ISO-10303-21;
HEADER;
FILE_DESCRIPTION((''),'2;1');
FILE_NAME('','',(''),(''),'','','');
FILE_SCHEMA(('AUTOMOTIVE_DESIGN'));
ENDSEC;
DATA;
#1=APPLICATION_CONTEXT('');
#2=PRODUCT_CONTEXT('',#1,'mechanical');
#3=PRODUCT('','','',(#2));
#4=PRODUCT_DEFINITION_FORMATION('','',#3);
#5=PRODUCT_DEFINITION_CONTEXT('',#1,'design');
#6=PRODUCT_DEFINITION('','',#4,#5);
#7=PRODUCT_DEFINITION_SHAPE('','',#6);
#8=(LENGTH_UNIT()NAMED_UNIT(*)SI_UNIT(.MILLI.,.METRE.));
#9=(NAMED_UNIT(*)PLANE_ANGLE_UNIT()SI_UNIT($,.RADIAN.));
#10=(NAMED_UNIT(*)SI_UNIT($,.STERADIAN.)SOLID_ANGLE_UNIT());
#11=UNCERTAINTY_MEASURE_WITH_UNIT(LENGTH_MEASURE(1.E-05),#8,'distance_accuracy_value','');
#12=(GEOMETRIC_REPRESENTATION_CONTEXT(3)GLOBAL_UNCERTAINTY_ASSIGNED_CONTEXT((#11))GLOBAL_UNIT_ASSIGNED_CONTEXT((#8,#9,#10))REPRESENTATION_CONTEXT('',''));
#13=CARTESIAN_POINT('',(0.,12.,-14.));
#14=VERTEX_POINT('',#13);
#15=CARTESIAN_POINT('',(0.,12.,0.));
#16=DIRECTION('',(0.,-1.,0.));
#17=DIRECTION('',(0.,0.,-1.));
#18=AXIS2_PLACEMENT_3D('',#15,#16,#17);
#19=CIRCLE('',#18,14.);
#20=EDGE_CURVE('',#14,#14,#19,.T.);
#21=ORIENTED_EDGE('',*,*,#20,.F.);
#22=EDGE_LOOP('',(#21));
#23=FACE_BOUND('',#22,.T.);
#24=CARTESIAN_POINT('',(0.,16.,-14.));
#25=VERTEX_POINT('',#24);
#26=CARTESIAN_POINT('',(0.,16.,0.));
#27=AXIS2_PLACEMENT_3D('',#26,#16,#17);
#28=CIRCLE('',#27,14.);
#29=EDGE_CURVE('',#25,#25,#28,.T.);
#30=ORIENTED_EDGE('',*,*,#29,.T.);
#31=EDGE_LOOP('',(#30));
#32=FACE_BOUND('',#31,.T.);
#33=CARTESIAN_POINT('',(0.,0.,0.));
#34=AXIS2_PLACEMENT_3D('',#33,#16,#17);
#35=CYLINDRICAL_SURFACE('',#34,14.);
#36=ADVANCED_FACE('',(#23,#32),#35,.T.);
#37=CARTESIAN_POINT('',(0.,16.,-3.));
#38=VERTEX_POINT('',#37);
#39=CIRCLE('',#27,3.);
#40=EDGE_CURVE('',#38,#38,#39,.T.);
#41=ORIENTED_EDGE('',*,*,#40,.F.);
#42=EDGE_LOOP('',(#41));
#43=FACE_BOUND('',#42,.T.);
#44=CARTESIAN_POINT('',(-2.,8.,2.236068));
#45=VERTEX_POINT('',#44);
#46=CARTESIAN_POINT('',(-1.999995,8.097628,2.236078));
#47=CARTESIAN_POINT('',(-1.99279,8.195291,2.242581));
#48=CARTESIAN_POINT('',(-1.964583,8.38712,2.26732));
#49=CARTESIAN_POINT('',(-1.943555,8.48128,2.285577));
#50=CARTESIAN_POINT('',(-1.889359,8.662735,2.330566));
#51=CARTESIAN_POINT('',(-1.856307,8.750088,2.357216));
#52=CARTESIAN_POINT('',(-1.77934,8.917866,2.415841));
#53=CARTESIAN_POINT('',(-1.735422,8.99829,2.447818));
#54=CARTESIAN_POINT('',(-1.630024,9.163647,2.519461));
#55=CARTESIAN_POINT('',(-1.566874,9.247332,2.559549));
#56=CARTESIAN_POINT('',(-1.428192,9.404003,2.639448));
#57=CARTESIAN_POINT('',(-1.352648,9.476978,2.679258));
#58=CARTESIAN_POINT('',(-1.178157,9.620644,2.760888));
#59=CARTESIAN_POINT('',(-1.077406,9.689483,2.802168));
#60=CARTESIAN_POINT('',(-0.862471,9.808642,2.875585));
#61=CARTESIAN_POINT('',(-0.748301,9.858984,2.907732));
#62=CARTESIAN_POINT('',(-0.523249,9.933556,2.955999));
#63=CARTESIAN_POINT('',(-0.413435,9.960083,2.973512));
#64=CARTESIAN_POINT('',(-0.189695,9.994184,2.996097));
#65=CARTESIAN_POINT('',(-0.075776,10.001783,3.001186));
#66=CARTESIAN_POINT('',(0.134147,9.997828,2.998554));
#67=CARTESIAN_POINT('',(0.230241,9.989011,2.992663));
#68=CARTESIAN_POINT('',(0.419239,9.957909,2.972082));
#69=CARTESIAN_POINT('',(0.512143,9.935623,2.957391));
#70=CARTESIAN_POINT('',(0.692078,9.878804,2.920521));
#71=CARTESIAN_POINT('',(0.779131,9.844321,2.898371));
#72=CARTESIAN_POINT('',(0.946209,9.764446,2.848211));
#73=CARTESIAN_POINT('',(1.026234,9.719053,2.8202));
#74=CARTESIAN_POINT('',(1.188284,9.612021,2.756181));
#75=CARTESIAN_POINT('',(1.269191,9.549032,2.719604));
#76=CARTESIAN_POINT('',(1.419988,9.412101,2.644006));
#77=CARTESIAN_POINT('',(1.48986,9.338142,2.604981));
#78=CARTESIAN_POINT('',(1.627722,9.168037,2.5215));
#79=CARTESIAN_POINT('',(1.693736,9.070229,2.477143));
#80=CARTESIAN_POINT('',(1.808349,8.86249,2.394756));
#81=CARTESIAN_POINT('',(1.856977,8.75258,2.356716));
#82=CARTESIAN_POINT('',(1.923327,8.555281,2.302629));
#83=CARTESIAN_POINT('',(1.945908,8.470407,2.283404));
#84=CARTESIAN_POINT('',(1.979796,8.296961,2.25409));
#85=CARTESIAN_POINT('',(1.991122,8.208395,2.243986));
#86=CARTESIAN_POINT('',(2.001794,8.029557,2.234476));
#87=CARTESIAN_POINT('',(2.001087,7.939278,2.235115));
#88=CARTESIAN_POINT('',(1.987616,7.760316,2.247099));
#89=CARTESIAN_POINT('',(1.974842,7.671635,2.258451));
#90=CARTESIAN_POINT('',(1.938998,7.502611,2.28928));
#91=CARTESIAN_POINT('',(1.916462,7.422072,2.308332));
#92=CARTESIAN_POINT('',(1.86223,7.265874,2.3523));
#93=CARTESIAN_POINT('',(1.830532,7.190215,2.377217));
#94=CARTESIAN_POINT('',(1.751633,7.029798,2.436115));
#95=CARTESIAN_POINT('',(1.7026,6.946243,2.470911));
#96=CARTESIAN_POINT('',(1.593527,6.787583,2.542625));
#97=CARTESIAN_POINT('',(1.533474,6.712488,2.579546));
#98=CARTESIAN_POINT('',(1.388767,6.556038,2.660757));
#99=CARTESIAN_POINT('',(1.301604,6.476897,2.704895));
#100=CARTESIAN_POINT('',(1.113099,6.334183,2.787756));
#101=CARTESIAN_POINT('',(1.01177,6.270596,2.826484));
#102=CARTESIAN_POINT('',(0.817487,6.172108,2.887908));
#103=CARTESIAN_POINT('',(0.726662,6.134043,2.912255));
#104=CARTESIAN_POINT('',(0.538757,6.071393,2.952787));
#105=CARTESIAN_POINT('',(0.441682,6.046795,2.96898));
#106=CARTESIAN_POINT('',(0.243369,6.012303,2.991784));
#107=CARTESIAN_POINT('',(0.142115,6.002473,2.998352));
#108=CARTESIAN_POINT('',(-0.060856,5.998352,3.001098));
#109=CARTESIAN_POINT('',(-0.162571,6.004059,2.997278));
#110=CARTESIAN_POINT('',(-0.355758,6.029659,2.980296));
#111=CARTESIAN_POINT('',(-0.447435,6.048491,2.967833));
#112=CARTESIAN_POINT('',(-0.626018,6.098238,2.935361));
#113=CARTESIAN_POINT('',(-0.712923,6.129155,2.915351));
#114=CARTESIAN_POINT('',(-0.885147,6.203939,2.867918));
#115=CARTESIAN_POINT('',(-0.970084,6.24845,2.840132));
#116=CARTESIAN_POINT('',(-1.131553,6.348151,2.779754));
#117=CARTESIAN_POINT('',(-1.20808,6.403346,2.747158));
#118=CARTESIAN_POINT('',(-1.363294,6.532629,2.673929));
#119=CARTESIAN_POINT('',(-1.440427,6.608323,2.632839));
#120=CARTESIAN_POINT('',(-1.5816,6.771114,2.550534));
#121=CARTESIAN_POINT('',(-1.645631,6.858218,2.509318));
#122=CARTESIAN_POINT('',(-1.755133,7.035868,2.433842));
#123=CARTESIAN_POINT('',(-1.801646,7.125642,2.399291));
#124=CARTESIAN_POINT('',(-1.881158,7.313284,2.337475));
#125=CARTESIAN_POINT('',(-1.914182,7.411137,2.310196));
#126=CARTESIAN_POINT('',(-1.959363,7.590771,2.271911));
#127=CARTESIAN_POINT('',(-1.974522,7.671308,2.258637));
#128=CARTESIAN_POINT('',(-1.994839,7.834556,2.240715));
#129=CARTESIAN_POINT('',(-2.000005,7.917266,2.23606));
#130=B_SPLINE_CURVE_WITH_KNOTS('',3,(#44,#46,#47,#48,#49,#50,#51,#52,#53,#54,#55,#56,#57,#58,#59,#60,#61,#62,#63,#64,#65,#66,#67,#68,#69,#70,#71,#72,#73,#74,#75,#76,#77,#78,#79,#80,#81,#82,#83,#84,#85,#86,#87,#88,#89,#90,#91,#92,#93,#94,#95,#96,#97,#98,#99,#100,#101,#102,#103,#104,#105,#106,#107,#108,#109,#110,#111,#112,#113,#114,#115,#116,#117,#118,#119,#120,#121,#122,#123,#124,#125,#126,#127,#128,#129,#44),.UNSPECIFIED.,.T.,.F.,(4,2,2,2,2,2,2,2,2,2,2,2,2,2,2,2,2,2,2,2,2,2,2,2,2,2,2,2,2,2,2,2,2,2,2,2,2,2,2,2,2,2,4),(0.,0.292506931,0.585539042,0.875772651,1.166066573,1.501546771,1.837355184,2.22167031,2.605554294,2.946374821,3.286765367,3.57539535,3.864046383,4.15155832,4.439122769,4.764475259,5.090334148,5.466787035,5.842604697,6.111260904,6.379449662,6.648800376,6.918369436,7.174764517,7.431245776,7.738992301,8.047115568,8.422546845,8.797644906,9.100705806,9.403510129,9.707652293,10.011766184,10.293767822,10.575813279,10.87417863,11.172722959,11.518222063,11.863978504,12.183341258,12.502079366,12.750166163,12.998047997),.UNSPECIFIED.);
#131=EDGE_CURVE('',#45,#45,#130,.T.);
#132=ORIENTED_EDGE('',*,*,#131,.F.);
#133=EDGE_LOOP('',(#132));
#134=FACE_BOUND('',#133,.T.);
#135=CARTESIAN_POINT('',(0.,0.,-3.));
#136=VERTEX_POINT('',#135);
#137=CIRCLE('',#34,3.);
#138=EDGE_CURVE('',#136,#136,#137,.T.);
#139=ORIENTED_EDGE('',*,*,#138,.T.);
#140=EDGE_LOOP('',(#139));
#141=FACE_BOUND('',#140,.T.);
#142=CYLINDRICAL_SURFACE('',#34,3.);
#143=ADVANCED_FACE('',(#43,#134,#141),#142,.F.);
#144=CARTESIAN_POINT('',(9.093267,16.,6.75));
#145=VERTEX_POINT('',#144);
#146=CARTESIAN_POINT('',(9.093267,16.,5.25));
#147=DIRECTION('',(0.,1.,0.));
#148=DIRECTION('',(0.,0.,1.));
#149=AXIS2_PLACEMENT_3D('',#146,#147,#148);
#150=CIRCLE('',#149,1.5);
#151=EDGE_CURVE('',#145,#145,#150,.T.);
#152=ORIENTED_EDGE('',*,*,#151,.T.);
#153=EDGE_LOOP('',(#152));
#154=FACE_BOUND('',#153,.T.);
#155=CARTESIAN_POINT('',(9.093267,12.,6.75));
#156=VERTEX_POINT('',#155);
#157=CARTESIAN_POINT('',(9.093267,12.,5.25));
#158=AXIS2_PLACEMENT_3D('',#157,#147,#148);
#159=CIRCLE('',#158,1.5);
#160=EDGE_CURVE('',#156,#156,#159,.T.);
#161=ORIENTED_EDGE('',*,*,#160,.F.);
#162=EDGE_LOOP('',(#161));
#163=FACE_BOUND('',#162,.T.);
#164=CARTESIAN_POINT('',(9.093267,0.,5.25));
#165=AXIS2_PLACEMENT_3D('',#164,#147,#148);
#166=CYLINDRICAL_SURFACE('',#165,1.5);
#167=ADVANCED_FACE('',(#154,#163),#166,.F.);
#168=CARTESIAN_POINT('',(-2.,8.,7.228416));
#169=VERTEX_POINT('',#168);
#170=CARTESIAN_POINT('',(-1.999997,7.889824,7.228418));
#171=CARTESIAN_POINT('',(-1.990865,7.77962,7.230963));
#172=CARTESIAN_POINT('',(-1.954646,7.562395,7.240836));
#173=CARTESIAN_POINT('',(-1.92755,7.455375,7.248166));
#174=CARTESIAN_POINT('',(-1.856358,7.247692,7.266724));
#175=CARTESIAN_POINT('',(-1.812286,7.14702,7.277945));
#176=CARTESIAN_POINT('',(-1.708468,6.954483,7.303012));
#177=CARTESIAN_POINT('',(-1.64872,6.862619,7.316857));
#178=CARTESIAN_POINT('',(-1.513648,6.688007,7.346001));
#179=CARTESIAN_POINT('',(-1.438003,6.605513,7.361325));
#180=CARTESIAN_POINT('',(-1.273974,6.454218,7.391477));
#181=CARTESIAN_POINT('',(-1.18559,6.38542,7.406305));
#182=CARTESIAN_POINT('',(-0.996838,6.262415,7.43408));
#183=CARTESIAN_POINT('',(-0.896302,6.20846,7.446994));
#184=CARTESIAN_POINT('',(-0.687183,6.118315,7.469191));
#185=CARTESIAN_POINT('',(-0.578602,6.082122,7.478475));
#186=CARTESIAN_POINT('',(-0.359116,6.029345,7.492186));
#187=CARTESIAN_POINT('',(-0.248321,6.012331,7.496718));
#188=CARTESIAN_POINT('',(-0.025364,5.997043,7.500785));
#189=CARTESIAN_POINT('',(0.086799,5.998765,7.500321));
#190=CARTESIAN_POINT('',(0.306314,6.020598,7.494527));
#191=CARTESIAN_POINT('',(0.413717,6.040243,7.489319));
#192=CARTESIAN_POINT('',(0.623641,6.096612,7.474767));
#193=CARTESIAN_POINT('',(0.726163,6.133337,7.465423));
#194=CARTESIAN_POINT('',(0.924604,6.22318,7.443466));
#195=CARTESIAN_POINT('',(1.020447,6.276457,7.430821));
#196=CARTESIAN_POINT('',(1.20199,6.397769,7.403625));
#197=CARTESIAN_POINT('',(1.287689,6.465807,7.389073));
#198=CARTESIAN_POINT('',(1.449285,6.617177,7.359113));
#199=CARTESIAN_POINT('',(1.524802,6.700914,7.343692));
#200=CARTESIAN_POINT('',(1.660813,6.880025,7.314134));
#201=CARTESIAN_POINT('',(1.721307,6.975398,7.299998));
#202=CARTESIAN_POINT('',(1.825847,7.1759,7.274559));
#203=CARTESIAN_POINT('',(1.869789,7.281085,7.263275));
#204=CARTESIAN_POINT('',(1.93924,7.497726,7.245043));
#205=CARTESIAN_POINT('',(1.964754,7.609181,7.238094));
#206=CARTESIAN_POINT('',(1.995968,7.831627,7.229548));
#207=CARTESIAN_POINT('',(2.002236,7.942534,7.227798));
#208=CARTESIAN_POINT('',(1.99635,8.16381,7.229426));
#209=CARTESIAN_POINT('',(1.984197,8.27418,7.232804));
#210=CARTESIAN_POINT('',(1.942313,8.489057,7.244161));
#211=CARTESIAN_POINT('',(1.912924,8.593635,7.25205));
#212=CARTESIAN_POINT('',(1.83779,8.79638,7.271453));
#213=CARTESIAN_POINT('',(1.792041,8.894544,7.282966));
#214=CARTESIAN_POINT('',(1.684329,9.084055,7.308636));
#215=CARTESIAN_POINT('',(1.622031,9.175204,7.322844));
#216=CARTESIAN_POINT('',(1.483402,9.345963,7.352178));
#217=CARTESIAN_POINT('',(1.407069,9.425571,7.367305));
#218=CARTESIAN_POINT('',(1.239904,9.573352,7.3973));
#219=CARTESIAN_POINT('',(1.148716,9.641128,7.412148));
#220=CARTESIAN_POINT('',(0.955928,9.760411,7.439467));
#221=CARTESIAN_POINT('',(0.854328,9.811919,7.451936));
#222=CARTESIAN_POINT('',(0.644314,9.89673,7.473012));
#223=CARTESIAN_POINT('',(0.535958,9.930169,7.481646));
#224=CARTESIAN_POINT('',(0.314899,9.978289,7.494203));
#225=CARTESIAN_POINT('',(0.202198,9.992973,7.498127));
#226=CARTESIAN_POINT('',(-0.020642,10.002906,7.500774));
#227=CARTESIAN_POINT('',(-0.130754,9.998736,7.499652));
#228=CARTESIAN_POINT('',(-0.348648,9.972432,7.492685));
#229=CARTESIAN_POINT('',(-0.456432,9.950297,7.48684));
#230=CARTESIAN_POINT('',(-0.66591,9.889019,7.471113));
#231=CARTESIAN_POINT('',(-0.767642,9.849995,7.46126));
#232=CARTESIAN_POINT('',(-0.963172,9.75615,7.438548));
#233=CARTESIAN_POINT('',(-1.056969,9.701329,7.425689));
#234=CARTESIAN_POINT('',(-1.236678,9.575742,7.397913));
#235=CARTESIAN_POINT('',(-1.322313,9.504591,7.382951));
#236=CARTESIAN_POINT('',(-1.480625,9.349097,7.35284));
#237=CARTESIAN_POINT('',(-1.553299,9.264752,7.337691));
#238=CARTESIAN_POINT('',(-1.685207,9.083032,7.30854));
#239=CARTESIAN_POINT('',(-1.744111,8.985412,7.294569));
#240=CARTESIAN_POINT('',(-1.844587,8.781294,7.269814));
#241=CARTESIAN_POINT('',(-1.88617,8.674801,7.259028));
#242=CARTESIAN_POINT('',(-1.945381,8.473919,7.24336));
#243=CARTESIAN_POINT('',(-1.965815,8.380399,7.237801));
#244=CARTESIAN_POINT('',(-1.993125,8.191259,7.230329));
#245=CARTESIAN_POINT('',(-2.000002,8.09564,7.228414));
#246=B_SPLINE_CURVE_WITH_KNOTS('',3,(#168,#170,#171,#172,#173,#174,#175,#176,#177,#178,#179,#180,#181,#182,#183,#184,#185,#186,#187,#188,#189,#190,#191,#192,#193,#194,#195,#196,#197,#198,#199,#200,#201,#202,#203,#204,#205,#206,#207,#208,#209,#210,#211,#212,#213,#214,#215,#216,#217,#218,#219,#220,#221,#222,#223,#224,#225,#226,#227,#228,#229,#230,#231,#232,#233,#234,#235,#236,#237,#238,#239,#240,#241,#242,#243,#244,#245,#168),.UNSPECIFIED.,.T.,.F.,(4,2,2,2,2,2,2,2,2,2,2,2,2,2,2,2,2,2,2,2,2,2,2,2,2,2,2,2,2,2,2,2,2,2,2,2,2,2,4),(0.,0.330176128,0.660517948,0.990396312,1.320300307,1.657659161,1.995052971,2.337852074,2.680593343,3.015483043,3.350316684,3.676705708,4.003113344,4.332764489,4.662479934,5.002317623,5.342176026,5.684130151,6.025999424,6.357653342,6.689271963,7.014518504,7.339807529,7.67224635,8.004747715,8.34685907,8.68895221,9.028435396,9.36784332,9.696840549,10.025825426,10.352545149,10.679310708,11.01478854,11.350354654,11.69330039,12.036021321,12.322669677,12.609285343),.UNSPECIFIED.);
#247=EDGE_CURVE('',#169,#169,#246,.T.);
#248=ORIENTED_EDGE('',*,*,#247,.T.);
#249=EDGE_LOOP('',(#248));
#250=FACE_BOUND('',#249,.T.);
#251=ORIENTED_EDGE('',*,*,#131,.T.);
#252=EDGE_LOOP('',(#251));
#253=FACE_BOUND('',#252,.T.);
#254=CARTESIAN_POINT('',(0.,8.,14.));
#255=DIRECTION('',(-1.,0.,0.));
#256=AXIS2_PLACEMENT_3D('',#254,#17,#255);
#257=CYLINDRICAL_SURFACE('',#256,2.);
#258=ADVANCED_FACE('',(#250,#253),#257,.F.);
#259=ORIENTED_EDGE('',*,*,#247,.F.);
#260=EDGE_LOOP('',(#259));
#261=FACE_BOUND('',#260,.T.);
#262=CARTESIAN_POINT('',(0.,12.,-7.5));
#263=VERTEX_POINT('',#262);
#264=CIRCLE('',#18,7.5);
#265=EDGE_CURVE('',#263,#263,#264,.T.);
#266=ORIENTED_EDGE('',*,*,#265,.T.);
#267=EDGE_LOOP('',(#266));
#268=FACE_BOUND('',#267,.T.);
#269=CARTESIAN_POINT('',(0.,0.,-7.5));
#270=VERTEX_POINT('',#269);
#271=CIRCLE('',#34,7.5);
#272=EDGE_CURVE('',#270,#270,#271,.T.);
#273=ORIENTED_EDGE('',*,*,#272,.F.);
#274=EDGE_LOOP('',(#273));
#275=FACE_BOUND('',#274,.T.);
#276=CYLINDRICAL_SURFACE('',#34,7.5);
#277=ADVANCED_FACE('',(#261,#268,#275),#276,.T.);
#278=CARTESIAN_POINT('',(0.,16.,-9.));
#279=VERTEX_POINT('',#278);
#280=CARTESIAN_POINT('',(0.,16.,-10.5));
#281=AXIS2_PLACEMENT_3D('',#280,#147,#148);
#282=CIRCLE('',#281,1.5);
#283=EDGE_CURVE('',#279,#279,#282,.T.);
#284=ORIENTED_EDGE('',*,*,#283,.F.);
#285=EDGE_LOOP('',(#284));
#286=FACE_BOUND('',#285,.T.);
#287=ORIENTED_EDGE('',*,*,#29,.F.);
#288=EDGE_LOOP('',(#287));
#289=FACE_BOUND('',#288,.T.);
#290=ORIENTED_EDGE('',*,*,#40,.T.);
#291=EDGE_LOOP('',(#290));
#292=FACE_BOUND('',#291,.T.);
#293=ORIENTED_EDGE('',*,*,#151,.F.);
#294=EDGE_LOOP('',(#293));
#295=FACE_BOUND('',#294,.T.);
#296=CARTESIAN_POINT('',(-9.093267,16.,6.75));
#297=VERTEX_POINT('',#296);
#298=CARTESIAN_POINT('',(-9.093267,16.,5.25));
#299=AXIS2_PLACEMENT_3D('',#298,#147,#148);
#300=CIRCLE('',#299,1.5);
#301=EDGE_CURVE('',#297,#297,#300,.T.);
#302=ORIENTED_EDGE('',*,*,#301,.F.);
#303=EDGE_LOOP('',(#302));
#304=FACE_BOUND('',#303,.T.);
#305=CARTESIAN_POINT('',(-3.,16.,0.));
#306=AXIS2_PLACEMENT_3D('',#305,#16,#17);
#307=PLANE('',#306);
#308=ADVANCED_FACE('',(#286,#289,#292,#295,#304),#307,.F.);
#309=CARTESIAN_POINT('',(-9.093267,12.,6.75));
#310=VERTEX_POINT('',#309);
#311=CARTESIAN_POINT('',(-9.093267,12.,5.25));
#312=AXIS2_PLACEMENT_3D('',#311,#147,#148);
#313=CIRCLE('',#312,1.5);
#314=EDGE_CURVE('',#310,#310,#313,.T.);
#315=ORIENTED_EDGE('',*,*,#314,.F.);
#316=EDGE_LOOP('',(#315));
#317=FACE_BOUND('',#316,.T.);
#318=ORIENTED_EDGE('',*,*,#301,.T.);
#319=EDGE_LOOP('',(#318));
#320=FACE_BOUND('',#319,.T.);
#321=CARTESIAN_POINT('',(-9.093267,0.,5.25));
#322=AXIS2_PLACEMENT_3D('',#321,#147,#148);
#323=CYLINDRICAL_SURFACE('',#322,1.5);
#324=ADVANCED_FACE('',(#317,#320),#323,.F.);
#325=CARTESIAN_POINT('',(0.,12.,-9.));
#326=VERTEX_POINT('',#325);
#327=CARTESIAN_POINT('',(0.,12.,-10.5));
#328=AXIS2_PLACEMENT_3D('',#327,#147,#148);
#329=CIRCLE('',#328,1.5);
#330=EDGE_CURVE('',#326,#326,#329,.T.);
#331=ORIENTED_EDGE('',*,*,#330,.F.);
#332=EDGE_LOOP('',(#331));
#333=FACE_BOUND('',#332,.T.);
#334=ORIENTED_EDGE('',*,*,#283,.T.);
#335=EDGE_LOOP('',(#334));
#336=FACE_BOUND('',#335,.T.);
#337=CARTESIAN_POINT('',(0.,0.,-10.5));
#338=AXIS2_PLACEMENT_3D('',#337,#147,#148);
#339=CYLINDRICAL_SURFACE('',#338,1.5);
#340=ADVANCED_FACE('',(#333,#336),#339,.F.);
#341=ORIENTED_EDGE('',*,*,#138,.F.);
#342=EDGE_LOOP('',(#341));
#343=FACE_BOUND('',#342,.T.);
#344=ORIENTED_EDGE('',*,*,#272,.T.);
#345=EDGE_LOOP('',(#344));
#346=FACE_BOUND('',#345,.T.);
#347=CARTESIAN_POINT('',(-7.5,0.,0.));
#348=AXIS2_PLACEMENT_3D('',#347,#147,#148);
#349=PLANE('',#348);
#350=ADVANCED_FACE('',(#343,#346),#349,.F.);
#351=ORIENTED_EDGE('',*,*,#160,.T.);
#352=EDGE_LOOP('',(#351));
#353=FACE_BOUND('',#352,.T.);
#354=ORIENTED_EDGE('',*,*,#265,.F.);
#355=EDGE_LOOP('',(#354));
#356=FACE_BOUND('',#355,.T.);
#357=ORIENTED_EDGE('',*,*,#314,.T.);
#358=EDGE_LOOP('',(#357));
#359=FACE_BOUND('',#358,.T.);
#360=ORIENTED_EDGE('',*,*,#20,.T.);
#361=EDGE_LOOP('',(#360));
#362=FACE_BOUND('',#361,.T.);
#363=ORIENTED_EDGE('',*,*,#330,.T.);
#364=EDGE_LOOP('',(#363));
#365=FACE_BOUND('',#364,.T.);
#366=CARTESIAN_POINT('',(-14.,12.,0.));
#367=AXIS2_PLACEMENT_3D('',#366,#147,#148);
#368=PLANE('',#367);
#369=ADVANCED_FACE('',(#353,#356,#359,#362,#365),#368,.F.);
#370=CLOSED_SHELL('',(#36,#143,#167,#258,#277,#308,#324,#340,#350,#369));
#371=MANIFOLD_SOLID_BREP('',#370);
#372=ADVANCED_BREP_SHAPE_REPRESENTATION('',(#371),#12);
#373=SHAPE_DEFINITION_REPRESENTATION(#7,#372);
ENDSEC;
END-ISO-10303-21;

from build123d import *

# Parameters (mm, degrees)
ESQUISSE2_R             = 1.5
ENL_V_MAT_EXTRU_1_DEPTH = 26.455844123
ESQUISSE3_R             = 2
ENL_V_MAT_EXTRU_2_DEPTH = 26.455844123


with BuildPart() as part:
    # Esquisse1 → Révolution1 (revolve)
    with BuildSketch(Plane.XY, mode=Mode.PRIVATE) as r_volution1_sk:
        Polygon((-3, 0), (-3, 16), (-14, 16), (-14, 12), (-7.5, 12), (-7.5, 0), align=None)
    revolve(r_volution1_sk.sketch.rotate(Axis((0, 0, 0), (0, 1, 0)), 270), axis=Axis((0, 0, 0), (0, 1, 0)))

    # Esquisse2 → Enlèv. mat.-Extru.1 (cut, through all)
    with BuildSketch(Plane(origin=(0, 16, 0), x_dir=(1, 0, 0), z_dir=(0, 1, 0))):
        with Locations(Location((9.09326674, -5.25, 0), (0, 0, 270))):
            Circle(ESQUISSE2_R)
        with Locations(Location((-9.09326674, -5.25, 0), (0, 0, 270))):
            Circle(ESQUISSE2_R)
        with Locations(Location((0, 10.5, 0), (0, 0, 270))):
            Circle(ESQUISSE2_R)
    extrude(amount=-ENL_V_MAT_EXTRU_1_DEPTH, mode=Mode.SUBTRACT)

    # Esquisse3 → Enlèv. mat.-Extru.2 (cut, through all)
    with BuildSketch(Plane.XY):
        with Locations(Location((0, 8, 0), (0, 0, 180))):
            Circle(ESQUISSE3_R)
    extrude(amount=ENL_V_MAT_EXTRU_2_DEPTH, mode=Mode.SUBTRACT)


solid = part.part
